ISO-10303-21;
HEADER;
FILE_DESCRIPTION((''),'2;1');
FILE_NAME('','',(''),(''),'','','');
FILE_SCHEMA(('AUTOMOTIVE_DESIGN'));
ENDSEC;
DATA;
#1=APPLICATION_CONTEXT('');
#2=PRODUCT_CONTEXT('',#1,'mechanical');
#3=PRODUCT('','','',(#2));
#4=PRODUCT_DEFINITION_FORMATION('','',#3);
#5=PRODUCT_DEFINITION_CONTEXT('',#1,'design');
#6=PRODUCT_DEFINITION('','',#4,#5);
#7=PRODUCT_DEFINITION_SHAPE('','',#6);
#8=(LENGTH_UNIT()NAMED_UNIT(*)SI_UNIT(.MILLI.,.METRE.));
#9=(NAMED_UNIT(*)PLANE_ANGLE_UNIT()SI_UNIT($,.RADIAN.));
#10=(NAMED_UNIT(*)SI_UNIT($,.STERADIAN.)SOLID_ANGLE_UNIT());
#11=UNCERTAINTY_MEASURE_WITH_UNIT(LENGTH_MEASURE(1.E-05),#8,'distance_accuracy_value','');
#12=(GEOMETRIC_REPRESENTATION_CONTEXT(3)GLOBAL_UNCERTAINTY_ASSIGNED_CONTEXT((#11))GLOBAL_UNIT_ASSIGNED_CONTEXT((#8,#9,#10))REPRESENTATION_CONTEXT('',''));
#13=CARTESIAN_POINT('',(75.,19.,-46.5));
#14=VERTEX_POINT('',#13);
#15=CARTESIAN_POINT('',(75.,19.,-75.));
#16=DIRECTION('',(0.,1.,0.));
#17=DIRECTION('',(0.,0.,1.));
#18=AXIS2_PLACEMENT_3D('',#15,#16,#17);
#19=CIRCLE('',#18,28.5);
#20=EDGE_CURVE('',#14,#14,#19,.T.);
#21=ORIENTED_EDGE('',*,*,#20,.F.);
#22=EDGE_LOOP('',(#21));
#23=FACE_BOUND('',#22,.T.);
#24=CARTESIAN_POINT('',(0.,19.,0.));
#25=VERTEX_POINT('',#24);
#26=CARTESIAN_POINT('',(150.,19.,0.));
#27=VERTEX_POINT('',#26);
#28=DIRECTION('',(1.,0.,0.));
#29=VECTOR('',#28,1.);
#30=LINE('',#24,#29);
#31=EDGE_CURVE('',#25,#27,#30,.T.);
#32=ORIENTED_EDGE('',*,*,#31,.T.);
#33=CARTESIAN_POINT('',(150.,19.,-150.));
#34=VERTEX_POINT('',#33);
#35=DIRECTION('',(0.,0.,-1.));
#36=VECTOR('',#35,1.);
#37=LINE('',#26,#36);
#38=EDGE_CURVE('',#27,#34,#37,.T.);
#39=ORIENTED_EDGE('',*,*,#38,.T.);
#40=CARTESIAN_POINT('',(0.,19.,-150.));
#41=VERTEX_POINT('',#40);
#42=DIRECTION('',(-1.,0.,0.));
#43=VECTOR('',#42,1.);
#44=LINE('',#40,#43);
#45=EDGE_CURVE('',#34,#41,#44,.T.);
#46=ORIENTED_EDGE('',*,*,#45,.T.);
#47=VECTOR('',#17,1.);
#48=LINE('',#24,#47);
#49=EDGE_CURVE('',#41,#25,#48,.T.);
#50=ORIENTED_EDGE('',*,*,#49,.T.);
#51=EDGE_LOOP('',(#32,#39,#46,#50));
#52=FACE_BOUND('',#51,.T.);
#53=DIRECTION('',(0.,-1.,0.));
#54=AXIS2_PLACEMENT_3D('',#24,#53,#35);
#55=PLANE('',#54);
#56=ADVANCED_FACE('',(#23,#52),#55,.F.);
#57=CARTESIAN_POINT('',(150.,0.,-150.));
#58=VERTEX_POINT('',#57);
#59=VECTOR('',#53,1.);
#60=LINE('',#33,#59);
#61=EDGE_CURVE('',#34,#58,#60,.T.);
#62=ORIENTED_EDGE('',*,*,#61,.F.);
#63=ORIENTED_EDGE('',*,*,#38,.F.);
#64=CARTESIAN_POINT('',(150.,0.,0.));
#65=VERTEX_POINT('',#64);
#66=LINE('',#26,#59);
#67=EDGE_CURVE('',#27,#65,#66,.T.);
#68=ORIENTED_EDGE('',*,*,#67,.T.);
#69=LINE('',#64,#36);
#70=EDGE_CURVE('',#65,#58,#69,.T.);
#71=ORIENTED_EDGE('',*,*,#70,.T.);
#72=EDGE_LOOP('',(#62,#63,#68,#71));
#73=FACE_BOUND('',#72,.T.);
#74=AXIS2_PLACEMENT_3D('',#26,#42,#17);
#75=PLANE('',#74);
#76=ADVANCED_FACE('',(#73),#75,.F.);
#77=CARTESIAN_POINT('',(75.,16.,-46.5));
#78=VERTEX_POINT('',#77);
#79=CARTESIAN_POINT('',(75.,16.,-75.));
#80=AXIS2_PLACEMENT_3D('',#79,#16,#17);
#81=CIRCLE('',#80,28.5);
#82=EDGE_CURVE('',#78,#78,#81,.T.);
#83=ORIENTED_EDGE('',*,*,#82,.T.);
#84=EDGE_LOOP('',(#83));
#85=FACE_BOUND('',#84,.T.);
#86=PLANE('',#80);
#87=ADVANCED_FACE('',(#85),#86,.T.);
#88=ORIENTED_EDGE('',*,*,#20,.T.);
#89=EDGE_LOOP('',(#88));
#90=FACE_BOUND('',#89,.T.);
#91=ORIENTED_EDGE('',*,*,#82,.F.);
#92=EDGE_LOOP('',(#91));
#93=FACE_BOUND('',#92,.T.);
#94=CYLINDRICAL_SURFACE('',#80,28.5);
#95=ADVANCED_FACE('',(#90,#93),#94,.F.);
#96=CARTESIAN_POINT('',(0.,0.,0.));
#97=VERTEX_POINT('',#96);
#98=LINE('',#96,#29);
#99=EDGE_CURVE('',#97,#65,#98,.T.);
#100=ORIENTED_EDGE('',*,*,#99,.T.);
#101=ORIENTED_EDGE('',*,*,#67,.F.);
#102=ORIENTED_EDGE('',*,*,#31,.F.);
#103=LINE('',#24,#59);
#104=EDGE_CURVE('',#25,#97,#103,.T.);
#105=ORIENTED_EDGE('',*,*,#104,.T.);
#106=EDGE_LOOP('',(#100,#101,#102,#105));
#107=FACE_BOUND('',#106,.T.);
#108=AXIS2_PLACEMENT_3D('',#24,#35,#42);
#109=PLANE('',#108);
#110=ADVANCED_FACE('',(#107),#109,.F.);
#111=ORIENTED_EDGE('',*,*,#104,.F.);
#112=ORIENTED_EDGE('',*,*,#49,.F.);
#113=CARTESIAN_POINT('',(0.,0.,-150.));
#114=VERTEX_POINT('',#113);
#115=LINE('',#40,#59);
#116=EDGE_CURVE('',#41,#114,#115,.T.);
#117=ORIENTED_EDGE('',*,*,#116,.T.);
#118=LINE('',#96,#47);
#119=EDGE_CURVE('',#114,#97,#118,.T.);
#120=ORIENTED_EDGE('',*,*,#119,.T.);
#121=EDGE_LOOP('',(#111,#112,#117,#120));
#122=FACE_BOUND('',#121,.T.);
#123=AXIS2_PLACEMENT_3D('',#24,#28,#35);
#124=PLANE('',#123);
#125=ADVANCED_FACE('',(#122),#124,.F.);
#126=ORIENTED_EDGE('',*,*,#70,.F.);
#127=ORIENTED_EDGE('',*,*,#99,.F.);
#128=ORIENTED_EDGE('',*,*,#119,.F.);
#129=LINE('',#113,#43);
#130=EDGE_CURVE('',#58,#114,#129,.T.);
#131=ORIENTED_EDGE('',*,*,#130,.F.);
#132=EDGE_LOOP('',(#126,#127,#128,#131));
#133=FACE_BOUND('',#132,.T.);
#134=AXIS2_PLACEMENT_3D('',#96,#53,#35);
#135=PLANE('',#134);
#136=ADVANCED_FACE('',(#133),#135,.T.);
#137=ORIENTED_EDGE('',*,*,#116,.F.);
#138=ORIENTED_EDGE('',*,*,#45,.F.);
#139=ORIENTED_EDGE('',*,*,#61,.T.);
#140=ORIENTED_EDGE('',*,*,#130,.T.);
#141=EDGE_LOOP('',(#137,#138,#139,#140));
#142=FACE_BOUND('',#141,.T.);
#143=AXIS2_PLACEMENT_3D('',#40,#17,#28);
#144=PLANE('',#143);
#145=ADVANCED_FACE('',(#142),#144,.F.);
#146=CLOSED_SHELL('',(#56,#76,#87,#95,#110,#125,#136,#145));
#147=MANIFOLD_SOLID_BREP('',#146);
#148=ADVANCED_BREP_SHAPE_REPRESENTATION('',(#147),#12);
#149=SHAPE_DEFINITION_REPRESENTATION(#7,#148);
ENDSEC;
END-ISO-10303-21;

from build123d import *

# Parameters (mm, degrees)
SKETCH1_W           = 150
SKETCH1_H           = 150
BOSS_EXTRUDE1_DEPTH = 19
SKETCH2_R           = 28.5
CUT_EXTRUDE1_DEPTH  = 3


with BuildPart() as part:
    # Sketch1 → Boss-Extrude1 (new body)
    with BuildSketch(Plane(origin=(0, 0, 0), x_dir=(1, 0, 0), z_dir=(0, 1, 0))):
        with Locations((75, 75)):
            Rectangle(SKETCH1_W, SKETCH1_H)
    extrude(amount=BOSS_EXTRUDE1_DEPTH)

    # Sketch2 → Cut-Extrude1 (cut)
    with BuildSketch(Plane(origin=(0, 19, 0), x_dir=(1, 0, 0), z_dir=(0, 1, 0))):
        with Locations((75, 75)):
            Circle(SKETCH2_R)
    extrude(amount=-CUT_EXTRUDE1_DEPTH, mode=Mode.SUBTRACT)


solid = part.part
